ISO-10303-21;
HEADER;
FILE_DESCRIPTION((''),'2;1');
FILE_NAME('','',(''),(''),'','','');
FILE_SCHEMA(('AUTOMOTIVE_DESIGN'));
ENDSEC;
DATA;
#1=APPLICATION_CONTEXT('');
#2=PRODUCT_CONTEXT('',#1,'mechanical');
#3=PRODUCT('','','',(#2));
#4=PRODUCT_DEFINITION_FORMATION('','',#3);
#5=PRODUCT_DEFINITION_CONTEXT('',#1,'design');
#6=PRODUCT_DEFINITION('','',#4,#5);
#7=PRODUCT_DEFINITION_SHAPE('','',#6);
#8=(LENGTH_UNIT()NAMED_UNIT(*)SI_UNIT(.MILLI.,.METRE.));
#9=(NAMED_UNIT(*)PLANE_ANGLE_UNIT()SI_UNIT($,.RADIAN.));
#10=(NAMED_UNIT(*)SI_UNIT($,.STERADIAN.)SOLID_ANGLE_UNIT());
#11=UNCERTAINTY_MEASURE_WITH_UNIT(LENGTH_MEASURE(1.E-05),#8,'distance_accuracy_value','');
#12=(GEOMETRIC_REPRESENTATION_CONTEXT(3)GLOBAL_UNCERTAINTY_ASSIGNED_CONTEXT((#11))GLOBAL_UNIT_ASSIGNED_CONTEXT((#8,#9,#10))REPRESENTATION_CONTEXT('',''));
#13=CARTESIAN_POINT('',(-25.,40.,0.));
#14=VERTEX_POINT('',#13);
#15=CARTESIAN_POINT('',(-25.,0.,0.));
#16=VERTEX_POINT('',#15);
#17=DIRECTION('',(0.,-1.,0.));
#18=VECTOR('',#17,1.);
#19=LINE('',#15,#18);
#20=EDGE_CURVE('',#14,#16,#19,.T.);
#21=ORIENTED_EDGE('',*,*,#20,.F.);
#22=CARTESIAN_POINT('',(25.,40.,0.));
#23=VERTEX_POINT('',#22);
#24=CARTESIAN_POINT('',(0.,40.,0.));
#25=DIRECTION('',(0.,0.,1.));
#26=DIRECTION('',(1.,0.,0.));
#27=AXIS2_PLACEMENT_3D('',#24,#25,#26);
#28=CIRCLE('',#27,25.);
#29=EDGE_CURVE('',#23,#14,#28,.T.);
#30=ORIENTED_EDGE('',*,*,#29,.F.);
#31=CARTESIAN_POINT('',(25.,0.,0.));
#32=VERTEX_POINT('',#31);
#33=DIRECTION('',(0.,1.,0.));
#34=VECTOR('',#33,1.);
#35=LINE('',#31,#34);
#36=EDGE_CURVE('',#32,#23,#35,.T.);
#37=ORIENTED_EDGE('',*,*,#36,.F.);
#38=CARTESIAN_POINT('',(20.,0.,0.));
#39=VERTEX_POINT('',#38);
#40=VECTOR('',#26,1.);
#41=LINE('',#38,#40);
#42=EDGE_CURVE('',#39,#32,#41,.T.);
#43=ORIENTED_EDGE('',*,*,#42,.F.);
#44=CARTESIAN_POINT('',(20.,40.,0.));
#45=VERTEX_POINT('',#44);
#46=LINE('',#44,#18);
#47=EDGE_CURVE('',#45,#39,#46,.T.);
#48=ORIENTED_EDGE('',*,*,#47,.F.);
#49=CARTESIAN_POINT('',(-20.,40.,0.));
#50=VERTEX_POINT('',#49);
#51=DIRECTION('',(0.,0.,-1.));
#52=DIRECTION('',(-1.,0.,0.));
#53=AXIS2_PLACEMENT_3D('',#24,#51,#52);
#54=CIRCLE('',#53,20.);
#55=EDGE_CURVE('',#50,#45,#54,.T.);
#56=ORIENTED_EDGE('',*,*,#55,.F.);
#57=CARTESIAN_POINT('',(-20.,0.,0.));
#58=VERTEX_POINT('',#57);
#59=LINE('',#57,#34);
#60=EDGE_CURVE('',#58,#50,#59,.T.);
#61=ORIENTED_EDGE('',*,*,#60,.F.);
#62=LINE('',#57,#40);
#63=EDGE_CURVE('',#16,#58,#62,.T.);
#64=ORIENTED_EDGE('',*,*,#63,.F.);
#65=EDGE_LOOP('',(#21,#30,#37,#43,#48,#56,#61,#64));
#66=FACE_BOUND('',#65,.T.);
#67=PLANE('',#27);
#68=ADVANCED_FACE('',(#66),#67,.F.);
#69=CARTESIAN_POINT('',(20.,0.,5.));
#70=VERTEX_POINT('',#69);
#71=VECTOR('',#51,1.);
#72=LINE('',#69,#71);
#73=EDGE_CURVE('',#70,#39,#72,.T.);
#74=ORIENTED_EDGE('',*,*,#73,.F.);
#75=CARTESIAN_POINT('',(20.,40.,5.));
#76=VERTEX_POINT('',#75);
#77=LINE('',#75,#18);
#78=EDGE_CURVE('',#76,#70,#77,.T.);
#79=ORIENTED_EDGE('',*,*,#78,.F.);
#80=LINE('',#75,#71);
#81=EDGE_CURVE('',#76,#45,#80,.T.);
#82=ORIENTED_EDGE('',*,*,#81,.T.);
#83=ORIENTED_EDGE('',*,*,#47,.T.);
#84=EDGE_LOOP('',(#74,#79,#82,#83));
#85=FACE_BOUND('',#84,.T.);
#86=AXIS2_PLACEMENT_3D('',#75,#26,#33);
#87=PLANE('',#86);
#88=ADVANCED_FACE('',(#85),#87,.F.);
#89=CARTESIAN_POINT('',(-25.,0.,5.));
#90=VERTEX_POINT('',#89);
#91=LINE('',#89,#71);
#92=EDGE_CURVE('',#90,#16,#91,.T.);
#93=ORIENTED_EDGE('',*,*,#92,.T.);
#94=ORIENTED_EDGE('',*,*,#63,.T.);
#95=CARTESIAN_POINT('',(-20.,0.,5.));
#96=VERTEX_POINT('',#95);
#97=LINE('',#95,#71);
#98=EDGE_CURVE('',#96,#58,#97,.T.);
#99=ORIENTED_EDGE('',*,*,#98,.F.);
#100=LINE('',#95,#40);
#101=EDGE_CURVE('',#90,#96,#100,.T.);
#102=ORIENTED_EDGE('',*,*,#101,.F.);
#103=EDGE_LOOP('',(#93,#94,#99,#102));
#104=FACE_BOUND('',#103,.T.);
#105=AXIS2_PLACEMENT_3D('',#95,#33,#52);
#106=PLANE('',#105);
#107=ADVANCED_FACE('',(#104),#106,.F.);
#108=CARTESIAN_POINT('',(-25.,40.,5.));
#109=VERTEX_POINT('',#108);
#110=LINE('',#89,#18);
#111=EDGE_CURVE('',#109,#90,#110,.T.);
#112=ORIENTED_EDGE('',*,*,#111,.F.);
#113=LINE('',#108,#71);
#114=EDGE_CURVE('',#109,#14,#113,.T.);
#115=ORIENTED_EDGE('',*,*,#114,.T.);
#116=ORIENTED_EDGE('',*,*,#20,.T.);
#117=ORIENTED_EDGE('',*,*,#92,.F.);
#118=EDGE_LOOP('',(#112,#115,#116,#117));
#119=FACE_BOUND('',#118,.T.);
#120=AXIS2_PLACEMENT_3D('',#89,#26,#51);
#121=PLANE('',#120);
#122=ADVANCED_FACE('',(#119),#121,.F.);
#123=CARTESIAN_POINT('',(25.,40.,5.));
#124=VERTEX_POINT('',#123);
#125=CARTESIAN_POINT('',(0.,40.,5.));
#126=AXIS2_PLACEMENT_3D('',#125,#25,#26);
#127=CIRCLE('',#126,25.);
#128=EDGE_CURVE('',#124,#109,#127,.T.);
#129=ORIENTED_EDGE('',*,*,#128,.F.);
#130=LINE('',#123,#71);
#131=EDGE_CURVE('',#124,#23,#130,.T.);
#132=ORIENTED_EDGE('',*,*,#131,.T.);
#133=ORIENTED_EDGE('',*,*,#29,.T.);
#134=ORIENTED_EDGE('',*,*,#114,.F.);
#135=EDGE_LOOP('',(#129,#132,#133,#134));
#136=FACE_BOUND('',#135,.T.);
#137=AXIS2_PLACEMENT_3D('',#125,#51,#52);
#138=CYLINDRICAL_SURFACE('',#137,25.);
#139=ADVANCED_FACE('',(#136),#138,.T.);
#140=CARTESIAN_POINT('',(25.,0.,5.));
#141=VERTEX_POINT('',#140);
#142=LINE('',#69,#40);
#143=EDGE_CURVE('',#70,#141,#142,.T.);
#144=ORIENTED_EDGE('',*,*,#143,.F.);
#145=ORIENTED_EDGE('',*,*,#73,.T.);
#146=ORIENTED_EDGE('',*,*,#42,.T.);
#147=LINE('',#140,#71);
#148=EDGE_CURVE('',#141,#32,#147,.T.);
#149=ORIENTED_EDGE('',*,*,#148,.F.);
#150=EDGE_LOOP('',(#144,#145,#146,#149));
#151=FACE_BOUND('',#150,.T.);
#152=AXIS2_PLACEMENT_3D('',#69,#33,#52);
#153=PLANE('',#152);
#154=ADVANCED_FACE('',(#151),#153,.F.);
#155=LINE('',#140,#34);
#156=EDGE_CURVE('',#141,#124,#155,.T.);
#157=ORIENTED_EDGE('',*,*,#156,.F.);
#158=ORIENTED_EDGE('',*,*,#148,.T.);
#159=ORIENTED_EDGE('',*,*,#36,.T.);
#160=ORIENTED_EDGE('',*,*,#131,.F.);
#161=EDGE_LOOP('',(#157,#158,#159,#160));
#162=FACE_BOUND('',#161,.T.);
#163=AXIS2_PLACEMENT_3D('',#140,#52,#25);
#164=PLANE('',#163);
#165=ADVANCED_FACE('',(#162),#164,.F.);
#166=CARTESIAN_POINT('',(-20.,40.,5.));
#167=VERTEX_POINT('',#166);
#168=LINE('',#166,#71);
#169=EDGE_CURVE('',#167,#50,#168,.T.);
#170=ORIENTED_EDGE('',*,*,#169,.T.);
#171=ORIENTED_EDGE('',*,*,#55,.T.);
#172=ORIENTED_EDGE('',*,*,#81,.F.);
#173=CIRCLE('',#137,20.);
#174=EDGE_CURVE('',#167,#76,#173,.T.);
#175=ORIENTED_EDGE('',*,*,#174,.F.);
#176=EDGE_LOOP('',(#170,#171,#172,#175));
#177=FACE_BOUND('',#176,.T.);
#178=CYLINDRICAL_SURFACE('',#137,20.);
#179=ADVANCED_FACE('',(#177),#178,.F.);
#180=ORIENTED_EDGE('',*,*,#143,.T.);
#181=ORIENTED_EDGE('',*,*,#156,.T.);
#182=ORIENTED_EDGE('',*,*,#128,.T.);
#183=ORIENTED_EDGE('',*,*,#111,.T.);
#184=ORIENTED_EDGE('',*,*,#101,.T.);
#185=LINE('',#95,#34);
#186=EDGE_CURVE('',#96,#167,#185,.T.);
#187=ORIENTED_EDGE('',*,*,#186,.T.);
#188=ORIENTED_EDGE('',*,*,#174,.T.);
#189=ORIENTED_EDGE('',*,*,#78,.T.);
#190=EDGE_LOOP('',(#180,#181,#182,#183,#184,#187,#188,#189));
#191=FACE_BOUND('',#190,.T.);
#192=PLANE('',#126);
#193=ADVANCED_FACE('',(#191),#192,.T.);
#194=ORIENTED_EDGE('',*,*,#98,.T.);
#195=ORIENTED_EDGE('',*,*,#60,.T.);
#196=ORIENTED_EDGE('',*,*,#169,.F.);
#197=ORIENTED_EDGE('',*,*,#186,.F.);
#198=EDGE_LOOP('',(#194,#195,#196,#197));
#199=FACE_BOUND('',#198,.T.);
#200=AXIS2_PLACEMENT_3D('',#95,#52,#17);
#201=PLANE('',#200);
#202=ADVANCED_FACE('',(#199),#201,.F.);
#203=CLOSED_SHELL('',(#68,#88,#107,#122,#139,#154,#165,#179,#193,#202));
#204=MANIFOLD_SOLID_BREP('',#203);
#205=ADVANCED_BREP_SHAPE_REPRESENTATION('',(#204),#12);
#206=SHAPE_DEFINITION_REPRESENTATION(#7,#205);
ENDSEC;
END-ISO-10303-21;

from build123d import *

# Parameters (mm, degrees)
BOSS_EXTRU_1_DEPTH = 5


with BuildPart() as part:
    # Esquisse1 → Boss.-Extru.1 (new body)
    with BuildSketch(Plane.XY):
        with BuildLine():
            Line((-20, 0), (-20, 40))
            ThreePointArc((-20, 40), (0, 60), (20, 40))
            Line((20, 40), (20, 0))
            Line((20, 0), (25, 0))
            Line((25, 0), (25, 40))
            ThreePointArc((25, 40), (0, 65), (-25, 40))
            Line((-25, 40), (-25, 0))
            Line((-25, 0), (-20, 0))
        make_face()
    extrude(amount=BOSS_EXTRU_1_DEPTH)


solid = part.part
